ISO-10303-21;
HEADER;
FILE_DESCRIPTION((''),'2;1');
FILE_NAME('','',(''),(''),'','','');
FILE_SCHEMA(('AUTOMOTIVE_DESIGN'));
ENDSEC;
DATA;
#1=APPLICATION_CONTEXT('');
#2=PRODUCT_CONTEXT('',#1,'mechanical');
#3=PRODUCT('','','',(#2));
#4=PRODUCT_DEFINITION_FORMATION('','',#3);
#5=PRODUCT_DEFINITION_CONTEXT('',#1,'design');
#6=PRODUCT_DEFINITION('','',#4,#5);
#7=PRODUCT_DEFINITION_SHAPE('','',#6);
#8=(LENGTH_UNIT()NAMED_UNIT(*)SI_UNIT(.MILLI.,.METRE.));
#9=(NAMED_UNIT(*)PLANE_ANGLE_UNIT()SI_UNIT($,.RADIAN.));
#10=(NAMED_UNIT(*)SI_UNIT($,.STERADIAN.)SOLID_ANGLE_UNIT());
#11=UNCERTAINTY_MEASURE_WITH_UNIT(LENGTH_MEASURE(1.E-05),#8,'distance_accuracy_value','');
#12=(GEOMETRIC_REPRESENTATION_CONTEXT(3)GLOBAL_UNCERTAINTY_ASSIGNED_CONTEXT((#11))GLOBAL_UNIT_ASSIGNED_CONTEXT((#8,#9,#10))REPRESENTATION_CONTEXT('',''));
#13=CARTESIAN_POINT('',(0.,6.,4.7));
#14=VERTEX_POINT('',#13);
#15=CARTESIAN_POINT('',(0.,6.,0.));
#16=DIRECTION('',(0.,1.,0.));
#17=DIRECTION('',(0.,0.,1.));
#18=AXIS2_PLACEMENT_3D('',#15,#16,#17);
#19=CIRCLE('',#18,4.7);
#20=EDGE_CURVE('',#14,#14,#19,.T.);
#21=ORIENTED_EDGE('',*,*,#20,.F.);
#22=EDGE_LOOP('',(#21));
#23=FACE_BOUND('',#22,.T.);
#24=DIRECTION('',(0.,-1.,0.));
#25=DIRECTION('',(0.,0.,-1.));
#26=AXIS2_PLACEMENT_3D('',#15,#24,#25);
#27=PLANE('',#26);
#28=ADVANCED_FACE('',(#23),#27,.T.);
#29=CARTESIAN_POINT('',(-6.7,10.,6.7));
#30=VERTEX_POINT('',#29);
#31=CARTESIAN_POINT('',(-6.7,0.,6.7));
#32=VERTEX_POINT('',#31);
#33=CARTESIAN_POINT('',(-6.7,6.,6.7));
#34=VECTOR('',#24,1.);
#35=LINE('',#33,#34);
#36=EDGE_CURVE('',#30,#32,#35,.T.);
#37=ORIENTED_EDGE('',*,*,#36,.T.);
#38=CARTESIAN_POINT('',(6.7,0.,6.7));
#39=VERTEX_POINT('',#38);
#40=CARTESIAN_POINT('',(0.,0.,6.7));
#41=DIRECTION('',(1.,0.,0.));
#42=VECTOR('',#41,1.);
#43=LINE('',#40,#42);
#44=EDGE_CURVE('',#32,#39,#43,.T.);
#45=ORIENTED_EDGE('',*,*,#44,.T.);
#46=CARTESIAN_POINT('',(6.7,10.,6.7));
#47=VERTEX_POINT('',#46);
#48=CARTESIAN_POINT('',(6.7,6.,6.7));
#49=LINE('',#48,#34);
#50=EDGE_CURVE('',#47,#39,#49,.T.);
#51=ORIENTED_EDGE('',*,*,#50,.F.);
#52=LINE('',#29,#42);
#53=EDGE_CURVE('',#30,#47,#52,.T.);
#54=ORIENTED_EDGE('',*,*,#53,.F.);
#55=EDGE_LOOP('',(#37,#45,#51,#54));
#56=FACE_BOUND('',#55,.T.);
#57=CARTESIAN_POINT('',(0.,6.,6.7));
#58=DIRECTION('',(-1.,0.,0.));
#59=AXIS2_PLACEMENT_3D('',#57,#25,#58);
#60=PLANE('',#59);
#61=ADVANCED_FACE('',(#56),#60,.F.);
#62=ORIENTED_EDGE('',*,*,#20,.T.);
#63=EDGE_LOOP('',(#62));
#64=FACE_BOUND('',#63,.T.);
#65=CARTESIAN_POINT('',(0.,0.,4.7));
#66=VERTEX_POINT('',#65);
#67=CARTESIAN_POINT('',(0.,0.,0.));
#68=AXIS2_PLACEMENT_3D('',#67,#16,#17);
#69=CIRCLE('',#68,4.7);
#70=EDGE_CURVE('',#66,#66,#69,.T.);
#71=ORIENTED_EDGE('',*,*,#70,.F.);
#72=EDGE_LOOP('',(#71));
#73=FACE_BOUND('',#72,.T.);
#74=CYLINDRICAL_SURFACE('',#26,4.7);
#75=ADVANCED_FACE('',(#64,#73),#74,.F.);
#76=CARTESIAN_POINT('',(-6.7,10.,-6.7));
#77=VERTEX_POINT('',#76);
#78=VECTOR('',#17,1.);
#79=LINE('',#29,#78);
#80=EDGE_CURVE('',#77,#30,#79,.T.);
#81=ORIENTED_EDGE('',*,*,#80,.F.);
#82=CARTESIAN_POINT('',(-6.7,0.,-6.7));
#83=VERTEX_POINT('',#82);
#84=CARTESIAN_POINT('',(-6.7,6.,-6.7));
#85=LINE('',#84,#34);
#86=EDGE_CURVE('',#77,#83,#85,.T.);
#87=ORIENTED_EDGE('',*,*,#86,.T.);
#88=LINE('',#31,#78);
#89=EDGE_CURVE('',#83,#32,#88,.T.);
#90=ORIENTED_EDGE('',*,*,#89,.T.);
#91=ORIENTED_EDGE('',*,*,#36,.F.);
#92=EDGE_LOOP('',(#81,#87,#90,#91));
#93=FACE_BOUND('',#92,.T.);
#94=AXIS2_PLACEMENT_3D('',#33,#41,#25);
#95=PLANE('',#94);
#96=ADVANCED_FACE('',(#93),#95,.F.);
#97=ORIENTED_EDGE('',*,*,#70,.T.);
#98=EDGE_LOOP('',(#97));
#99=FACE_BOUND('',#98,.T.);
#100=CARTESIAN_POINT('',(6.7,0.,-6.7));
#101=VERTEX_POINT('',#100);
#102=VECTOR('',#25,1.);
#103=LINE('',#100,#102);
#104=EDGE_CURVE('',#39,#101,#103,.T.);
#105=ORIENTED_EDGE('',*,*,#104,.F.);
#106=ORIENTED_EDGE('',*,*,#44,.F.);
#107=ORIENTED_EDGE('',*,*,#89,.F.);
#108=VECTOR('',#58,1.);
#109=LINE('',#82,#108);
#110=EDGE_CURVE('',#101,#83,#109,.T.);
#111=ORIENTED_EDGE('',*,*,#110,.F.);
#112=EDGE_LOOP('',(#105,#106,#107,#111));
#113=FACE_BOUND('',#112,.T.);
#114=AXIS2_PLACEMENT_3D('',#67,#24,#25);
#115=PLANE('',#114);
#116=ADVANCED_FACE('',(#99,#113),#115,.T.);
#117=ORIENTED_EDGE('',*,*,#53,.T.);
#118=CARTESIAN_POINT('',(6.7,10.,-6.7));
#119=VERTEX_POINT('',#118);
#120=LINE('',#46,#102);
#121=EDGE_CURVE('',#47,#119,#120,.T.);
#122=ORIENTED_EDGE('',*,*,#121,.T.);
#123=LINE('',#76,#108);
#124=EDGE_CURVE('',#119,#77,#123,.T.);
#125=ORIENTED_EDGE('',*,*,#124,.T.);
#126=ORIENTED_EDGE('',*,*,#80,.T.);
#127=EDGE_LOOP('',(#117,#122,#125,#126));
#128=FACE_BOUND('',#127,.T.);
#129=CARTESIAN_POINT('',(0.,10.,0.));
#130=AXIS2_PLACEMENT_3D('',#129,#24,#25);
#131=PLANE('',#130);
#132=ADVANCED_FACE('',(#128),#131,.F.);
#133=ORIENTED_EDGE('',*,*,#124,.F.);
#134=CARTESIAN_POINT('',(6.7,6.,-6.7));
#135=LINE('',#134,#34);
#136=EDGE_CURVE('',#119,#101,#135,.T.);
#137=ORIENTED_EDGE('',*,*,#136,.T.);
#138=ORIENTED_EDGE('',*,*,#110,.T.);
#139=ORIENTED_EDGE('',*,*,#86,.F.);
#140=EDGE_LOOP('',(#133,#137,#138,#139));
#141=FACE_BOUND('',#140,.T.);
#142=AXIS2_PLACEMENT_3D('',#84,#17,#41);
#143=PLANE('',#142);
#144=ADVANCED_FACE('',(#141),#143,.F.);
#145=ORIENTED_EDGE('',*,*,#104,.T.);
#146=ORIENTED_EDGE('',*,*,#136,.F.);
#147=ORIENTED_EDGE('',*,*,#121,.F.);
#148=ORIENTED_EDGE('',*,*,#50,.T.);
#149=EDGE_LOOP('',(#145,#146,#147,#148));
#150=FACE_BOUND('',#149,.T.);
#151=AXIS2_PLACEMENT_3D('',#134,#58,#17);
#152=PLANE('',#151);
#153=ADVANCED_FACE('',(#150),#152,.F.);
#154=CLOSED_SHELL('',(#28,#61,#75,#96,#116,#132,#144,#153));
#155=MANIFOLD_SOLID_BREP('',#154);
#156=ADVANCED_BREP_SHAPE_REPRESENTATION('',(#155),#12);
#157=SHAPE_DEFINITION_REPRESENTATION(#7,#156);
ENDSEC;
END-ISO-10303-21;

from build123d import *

# Parameters (mm, degrees)
SKETCH1_R           = 4.7
BOSS_EXTRUDE1_DEPTH = 6
SKETCH2_W           = 13.4
SKETCH2_H           = 13.4
BOSS_EXTRUDE2_DEPTH = 4


with BuildPart() as part:
    # Sketch1 → Boss-Extrude1 (new body)
    with BuildSketch(Plane(origin=(0, 0, 0), x_dir=(1, 0, 0), z_dir=(0, 1, 0))):
        Polygon((0, -6.7), (-6.7, -6.7), (-6.7, 6.7), (6.7, 6.7), (6.7, -6.7), align=None)
        Circle(SKETCH1_R, mode=Mode.SUBTRACT)
    extrude(amount=BOSS_EXTRUDE1_DEPTH)

    # Sketch2 → Boss-Extrude2 (add)
    with BuildSketch(Plane(origin=(0, 6, 0), x_dir=(1, 0, 0), z_dir=(0, 1, 0))):
        Rectangle(SKETCH2_W, SKETCH2_H)
    extrude(amount=BOSS_EXTRUDE2_DEPTH)


solid = part.part
